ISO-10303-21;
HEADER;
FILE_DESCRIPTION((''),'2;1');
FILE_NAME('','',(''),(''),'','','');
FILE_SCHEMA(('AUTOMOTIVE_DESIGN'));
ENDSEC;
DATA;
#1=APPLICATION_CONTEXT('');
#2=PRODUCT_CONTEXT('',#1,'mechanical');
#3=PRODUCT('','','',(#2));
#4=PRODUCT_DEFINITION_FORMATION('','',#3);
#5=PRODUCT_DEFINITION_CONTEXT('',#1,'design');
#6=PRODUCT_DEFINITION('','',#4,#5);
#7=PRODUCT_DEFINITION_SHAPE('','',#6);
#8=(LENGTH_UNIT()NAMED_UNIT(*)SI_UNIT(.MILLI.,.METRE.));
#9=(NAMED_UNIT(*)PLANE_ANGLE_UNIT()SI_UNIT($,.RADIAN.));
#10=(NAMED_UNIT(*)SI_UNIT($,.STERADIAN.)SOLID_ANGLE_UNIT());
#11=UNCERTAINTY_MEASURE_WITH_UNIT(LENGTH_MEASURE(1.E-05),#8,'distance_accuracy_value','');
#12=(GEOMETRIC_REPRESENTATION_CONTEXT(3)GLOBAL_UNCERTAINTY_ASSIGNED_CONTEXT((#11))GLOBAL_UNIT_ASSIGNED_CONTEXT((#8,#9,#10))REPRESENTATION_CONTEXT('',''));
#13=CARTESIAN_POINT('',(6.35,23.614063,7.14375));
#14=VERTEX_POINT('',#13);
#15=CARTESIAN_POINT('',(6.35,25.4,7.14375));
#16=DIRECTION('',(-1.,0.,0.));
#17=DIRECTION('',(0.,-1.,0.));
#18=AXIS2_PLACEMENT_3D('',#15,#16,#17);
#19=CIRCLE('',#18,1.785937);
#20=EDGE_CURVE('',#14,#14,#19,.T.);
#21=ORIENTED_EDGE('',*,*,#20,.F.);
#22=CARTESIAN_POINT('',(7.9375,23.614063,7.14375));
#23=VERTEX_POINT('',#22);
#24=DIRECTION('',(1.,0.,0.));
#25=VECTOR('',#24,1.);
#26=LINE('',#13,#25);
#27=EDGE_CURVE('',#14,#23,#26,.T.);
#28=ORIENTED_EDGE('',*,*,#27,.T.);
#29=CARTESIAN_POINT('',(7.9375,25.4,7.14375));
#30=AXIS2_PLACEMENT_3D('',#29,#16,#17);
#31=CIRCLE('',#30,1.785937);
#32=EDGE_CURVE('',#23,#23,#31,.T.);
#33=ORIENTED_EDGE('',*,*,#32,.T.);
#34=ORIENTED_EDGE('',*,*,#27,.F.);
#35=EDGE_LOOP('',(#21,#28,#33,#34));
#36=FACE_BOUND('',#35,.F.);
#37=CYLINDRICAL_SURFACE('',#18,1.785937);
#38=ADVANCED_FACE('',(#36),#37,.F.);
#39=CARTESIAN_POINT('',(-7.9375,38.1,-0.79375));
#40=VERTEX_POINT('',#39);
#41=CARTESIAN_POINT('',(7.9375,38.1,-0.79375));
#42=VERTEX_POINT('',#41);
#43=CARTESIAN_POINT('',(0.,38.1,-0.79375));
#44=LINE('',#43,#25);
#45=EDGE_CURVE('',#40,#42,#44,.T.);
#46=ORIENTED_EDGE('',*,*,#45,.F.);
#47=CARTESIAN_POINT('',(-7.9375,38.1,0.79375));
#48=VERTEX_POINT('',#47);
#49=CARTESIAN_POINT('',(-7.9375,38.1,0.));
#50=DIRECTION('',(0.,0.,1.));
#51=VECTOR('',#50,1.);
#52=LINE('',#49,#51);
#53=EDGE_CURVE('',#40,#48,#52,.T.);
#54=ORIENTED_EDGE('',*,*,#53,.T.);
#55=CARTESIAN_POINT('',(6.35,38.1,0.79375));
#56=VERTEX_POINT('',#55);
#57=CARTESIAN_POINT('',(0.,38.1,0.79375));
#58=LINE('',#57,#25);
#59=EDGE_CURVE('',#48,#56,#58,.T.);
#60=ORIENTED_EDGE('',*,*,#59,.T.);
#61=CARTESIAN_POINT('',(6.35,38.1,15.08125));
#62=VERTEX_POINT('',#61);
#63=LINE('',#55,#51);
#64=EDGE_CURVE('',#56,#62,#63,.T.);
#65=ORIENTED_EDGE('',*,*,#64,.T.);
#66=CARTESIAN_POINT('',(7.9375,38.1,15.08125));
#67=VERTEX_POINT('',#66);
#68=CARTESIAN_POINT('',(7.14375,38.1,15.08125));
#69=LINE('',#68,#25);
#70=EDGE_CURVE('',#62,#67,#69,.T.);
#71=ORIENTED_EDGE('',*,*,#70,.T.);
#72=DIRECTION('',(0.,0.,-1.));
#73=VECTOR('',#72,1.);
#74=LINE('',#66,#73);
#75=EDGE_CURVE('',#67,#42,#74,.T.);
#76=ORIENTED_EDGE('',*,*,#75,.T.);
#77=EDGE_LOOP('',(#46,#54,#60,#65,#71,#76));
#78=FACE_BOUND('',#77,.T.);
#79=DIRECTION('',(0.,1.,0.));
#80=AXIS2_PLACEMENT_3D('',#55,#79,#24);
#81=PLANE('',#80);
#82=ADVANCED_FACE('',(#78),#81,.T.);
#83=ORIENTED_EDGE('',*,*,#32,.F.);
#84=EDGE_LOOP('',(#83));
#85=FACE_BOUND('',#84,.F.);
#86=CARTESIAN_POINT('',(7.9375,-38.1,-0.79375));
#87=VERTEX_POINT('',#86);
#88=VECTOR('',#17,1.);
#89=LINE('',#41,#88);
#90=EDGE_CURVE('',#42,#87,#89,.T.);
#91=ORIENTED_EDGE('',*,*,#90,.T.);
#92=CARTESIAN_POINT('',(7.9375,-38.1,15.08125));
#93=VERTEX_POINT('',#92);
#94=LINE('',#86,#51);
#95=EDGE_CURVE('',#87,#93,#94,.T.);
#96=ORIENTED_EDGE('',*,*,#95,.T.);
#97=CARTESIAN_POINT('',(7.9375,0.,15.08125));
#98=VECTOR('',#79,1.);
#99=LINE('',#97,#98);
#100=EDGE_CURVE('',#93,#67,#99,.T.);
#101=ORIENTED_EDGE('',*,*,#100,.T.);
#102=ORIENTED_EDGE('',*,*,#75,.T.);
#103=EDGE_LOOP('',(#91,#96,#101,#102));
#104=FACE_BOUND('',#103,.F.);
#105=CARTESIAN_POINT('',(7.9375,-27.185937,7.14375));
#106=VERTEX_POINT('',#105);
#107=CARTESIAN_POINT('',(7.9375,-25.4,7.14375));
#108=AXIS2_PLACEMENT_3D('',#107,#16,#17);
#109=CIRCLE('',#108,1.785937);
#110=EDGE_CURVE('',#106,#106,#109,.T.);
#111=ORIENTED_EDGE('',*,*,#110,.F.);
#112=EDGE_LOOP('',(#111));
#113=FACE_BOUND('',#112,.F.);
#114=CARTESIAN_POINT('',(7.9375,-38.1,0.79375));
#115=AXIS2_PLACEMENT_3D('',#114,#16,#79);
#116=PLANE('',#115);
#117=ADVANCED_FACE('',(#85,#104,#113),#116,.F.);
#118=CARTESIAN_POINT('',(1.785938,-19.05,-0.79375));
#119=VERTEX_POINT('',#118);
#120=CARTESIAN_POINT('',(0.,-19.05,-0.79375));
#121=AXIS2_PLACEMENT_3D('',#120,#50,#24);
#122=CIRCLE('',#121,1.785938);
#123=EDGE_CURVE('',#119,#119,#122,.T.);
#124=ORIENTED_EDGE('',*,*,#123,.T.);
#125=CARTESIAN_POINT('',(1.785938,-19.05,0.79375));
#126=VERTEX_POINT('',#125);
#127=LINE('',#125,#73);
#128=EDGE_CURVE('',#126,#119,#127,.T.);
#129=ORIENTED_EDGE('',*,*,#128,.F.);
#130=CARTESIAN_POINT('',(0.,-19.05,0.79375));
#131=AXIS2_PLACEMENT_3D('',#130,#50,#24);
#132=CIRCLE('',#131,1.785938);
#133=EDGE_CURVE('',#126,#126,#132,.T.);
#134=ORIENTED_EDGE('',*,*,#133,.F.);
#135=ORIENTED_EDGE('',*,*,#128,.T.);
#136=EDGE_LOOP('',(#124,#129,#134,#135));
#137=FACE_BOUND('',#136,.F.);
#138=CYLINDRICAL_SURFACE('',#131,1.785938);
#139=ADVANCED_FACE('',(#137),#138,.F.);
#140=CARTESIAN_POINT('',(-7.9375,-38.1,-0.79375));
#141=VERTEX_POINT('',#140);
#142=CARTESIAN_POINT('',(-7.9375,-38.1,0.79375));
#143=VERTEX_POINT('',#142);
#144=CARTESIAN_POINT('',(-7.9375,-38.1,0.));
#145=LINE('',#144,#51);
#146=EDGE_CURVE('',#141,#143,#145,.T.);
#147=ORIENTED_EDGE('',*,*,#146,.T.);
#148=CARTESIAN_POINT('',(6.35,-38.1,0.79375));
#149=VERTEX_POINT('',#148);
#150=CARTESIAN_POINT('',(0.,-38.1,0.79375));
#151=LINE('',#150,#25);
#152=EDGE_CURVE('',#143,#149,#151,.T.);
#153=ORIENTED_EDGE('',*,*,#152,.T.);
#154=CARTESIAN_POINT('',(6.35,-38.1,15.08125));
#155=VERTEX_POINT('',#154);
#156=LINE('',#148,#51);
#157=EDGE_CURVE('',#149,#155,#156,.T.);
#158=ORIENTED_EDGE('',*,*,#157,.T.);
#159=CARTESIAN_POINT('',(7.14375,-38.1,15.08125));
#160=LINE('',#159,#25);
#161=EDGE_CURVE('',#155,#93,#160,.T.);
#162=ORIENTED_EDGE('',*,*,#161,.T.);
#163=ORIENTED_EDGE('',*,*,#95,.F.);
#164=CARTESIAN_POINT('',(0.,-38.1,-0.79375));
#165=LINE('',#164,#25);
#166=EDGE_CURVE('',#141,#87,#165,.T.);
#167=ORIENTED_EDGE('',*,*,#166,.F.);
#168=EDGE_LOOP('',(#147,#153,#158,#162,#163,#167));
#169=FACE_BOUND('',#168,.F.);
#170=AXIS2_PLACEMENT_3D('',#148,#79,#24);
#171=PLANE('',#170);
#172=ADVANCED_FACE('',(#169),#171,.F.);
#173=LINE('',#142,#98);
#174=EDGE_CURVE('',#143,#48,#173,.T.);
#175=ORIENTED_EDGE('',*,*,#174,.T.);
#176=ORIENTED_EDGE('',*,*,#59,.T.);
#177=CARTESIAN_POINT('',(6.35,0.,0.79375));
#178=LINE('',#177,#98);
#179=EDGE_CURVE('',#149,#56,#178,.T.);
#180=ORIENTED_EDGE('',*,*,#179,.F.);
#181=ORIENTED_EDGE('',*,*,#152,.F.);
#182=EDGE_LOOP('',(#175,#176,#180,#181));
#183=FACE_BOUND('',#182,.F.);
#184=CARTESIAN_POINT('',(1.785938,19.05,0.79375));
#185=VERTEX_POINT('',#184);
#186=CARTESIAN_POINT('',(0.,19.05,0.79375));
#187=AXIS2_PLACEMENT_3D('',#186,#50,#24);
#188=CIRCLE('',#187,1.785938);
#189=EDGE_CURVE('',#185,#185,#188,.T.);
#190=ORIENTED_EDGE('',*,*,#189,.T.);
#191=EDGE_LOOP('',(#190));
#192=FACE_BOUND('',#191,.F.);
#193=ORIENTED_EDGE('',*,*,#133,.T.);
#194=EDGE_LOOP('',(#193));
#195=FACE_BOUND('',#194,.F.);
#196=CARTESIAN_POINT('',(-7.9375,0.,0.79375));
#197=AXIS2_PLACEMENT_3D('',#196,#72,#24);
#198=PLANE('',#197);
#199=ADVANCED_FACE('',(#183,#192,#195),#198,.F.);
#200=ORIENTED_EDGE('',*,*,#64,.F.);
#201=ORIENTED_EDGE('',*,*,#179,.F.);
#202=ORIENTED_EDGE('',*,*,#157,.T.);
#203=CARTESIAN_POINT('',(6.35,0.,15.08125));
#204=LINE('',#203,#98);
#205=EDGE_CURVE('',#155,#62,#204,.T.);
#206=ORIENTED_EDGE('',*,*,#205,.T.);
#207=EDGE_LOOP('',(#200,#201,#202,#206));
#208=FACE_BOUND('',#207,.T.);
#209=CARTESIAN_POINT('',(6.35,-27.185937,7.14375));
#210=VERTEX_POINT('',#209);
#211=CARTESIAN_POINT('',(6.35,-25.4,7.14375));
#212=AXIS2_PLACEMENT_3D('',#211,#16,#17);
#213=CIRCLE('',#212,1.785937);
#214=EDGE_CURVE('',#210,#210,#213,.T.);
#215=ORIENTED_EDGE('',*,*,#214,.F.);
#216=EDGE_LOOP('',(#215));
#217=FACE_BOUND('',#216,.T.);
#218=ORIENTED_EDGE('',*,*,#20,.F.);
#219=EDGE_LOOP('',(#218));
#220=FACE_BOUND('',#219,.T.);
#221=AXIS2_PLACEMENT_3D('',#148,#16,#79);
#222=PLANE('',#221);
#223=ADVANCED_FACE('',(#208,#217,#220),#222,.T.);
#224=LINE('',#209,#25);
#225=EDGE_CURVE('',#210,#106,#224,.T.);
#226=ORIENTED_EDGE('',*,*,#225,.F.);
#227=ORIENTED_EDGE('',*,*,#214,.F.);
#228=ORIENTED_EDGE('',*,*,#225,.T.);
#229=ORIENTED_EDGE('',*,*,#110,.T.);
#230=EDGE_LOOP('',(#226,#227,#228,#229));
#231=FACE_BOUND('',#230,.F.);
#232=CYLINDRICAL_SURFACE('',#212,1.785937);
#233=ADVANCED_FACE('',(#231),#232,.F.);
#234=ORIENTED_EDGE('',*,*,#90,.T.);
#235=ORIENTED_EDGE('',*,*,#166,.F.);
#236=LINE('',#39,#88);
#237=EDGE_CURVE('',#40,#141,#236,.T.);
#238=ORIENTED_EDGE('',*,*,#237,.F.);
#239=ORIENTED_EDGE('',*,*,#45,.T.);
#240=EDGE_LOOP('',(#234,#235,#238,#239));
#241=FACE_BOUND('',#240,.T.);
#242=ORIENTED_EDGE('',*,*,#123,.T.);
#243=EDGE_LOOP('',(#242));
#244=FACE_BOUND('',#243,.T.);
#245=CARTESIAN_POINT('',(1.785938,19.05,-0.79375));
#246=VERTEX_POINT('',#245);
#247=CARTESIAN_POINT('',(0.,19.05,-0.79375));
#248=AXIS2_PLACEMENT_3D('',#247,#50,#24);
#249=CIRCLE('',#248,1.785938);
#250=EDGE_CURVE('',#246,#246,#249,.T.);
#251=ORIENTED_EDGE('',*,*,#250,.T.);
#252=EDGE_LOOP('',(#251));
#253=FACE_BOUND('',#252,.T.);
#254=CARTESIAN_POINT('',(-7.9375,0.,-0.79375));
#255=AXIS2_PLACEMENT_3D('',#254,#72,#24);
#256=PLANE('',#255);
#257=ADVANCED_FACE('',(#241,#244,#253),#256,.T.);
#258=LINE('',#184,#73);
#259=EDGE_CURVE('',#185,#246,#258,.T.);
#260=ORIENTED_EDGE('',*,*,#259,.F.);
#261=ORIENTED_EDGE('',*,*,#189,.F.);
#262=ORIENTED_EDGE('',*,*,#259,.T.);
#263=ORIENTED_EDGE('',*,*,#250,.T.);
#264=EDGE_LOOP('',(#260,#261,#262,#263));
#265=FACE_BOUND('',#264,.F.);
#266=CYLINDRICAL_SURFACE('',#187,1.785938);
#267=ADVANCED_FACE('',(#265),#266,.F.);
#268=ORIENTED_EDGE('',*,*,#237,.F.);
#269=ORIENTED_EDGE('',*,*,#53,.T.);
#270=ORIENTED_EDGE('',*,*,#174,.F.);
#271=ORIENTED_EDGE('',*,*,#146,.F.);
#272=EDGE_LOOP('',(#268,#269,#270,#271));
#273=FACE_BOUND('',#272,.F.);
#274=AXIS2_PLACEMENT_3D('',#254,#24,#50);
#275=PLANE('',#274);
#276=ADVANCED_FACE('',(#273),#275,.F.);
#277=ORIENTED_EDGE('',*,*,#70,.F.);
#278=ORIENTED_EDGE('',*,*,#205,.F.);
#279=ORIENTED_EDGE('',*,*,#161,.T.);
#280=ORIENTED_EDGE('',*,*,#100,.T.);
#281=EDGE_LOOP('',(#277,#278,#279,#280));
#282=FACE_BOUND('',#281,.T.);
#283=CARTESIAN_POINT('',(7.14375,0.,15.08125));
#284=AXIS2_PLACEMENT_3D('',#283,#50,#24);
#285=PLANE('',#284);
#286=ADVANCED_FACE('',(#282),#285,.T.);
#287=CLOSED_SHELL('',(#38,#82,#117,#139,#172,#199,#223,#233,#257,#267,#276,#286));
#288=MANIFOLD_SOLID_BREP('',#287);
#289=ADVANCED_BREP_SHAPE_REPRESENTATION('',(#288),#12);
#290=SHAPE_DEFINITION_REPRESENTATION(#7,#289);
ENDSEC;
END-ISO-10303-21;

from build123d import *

# Parameters (mm, degrees)
F0_W     = 15.875
F0_H     = 1.5875
F1_DEPTH = 38.1
F2_W     = 1.5875
F2_H     = 76.2
F3_DEPTH = 14.2875
F4_R     = 1.785937
F5_DEPTH = 1.5885
F6_R     = 1.785938
F7_DEPTH = 1.5885


with BuildPart() as f1:
    # F0 (on Front) → F1 (new body, symmetric)
    with BuildSketch(Plane.XZ):
        Rectangle(F0_W, F0_H)
    extrude(amount=F1_DEPTH, both=True)

    # F2 (on face) → F3 (join)
    with BuildSketch(Plane.XY.offset(0.79375)):
        with Locations((7.14375, 0)):
            Rectangle(F2_W, F2_H)
    extrude(amount=F3_DEPTH)

    # F4 (on face) → F5 (cut, through all)
    with BuildSketch(Plane(origin=(6.35, 0, 0), x_dir=(0, -1, 0), z_dir=(-1, 0, 0))):
        with Locations((-25.4, 7.14375)):
            Circle(F4_R)
        with Locations((25.4, 7.14375)):
            Circle(F4_R)
    extrude(amount=-F5_DEPTH, mode=Mode.SUBTRACT)

    # F6 (on face) → F7 (cut, through all)
    with BuildSketch(Plane.XY.offset(0.79375)):
        with Locations((0, 19.05)):
            Circle(F6_R)
        with Locations((0, -19.05)):
            Circle(F6_R)
    extrude(amount=-F7_DEPTH, mode=Mode.SUBTRACT)


solid = f1.part
